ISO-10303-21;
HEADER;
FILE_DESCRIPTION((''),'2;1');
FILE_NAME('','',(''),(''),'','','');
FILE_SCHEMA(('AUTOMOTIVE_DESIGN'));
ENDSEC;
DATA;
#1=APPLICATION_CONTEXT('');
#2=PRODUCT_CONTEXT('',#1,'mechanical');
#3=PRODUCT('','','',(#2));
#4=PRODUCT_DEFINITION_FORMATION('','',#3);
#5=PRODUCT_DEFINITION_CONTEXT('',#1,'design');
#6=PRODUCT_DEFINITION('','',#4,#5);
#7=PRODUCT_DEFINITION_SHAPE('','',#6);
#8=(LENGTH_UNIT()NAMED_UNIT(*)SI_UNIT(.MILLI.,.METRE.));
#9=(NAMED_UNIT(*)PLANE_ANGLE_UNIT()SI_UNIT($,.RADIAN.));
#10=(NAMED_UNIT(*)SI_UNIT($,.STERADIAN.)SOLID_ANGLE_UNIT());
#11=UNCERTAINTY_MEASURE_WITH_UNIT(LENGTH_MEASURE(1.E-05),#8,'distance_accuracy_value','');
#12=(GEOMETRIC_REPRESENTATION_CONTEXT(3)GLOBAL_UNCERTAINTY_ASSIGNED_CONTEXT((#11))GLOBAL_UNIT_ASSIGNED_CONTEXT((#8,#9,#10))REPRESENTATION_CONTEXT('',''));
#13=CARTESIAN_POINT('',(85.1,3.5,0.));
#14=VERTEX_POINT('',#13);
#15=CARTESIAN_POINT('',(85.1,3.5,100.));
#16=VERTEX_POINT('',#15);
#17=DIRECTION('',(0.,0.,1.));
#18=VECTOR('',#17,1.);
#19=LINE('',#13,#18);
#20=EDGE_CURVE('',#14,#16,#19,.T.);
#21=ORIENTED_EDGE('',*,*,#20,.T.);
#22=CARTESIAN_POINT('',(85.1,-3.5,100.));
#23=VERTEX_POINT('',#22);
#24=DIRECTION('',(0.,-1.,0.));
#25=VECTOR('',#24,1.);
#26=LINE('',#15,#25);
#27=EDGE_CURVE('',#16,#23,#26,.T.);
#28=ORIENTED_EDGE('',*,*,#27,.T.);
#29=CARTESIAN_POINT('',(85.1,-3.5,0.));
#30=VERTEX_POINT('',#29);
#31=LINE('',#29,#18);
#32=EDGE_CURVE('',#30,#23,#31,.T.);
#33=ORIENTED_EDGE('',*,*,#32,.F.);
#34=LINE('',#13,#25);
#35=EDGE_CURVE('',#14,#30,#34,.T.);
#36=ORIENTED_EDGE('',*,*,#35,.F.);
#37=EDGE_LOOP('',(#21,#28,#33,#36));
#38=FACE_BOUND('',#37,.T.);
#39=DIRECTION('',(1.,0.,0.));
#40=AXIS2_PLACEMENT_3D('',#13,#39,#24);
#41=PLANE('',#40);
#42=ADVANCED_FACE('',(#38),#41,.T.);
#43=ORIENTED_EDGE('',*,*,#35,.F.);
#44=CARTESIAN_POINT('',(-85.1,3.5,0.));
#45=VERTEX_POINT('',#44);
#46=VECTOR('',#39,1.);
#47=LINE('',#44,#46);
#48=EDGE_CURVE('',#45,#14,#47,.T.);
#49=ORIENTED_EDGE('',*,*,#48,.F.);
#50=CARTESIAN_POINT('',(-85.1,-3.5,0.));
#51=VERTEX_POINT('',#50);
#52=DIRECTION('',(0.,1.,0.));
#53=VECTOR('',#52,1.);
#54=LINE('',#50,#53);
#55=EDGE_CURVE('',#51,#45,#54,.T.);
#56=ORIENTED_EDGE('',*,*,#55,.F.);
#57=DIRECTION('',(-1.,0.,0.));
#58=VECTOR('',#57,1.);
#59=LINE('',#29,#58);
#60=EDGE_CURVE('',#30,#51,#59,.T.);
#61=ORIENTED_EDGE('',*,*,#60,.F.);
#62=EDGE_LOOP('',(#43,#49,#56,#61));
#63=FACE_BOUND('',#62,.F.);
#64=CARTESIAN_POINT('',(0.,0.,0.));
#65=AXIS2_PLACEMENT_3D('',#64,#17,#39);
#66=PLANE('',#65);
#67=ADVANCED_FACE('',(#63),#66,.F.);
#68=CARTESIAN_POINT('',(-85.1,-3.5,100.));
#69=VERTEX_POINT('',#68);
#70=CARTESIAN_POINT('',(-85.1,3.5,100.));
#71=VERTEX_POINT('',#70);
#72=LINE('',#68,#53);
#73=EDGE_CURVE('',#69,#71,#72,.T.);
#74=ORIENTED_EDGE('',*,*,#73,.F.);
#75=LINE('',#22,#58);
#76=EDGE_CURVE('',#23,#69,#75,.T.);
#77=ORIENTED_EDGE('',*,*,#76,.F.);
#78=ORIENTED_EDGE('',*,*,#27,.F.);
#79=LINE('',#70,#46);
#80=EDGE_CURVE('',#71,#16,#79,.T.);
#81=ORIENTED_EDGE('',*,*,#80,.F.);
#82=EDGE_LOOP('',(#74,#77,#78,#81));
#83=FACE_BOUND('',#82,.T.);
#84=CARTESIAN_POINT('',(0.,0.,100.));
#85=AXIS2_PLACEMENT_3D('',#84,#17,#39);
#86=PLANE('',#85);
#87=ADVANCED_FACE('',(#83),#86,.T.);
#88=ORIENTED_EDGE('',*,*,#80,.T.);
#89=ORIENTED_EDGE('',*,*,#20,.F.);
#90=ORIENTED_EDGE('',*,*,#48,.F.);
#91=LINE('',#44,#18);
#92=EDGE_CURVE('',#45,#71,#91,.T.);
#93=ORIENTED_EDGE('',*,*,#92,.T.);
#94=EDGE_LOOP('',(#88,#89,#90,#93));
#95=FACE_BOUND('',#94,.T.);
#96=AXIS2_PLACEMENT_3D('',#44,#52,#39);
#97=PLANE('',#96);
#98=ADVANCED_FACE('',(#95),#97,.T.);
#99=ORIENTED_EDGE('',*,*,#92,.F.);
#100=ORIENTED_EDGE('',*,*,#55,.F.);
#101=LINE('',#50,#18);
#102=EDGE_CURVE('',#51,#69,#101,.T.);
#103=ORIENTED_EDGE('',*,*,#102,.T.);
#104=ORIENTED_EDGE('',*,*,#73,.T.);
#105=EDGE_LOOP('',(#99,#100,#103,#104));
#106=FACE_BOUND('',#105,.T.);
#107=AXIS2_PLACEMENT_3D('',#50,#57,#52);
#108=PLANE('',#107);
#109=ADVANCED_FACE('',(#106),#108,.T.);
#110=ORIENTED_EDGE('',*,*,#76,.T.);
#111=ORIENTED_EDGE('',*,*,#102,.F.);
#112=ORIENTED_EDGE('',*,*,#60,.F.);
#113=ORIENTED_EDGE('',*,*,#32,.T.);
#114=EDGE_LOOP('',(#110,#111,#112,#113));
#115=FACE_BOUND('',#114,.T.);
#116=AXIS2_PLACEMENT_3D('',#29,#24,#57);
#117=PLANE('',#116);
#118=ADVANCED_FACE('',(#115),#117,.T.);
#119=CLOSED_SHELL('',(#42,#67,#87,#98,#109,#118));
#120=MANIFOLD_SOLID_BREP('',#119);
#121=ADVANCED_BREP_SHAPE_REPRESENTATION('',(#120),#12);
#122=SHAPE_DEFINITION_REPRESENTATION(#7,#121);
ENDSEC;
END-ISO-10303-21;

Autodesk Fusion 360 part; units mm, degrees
sketch "Sketch1" plane through (0, 0, 0) normal (0, 0, 1) x (1, 0, 0)
  line L0 (85.1, -3.5) -> (-85.1, -3.5)
  line L1 (-85.1, -3.5) -> (-85.1, 3.5)
  line L2 (-85.1, 3.5) -> (85.1, 3.5)
  line L3 (85.1, 3.5) -> (85.1, -3.5)
  line L4 (85.1, -3.5) -> (-85.1, 3.5) construction
  line L5 (-85.1, -3.5) -> (85.1, 3.5) construction
  dimension "d1" = 170.2
  dimension "d2" = 7
extrude "Extrude1" add sketch "Sketch1" along normal blind 100
